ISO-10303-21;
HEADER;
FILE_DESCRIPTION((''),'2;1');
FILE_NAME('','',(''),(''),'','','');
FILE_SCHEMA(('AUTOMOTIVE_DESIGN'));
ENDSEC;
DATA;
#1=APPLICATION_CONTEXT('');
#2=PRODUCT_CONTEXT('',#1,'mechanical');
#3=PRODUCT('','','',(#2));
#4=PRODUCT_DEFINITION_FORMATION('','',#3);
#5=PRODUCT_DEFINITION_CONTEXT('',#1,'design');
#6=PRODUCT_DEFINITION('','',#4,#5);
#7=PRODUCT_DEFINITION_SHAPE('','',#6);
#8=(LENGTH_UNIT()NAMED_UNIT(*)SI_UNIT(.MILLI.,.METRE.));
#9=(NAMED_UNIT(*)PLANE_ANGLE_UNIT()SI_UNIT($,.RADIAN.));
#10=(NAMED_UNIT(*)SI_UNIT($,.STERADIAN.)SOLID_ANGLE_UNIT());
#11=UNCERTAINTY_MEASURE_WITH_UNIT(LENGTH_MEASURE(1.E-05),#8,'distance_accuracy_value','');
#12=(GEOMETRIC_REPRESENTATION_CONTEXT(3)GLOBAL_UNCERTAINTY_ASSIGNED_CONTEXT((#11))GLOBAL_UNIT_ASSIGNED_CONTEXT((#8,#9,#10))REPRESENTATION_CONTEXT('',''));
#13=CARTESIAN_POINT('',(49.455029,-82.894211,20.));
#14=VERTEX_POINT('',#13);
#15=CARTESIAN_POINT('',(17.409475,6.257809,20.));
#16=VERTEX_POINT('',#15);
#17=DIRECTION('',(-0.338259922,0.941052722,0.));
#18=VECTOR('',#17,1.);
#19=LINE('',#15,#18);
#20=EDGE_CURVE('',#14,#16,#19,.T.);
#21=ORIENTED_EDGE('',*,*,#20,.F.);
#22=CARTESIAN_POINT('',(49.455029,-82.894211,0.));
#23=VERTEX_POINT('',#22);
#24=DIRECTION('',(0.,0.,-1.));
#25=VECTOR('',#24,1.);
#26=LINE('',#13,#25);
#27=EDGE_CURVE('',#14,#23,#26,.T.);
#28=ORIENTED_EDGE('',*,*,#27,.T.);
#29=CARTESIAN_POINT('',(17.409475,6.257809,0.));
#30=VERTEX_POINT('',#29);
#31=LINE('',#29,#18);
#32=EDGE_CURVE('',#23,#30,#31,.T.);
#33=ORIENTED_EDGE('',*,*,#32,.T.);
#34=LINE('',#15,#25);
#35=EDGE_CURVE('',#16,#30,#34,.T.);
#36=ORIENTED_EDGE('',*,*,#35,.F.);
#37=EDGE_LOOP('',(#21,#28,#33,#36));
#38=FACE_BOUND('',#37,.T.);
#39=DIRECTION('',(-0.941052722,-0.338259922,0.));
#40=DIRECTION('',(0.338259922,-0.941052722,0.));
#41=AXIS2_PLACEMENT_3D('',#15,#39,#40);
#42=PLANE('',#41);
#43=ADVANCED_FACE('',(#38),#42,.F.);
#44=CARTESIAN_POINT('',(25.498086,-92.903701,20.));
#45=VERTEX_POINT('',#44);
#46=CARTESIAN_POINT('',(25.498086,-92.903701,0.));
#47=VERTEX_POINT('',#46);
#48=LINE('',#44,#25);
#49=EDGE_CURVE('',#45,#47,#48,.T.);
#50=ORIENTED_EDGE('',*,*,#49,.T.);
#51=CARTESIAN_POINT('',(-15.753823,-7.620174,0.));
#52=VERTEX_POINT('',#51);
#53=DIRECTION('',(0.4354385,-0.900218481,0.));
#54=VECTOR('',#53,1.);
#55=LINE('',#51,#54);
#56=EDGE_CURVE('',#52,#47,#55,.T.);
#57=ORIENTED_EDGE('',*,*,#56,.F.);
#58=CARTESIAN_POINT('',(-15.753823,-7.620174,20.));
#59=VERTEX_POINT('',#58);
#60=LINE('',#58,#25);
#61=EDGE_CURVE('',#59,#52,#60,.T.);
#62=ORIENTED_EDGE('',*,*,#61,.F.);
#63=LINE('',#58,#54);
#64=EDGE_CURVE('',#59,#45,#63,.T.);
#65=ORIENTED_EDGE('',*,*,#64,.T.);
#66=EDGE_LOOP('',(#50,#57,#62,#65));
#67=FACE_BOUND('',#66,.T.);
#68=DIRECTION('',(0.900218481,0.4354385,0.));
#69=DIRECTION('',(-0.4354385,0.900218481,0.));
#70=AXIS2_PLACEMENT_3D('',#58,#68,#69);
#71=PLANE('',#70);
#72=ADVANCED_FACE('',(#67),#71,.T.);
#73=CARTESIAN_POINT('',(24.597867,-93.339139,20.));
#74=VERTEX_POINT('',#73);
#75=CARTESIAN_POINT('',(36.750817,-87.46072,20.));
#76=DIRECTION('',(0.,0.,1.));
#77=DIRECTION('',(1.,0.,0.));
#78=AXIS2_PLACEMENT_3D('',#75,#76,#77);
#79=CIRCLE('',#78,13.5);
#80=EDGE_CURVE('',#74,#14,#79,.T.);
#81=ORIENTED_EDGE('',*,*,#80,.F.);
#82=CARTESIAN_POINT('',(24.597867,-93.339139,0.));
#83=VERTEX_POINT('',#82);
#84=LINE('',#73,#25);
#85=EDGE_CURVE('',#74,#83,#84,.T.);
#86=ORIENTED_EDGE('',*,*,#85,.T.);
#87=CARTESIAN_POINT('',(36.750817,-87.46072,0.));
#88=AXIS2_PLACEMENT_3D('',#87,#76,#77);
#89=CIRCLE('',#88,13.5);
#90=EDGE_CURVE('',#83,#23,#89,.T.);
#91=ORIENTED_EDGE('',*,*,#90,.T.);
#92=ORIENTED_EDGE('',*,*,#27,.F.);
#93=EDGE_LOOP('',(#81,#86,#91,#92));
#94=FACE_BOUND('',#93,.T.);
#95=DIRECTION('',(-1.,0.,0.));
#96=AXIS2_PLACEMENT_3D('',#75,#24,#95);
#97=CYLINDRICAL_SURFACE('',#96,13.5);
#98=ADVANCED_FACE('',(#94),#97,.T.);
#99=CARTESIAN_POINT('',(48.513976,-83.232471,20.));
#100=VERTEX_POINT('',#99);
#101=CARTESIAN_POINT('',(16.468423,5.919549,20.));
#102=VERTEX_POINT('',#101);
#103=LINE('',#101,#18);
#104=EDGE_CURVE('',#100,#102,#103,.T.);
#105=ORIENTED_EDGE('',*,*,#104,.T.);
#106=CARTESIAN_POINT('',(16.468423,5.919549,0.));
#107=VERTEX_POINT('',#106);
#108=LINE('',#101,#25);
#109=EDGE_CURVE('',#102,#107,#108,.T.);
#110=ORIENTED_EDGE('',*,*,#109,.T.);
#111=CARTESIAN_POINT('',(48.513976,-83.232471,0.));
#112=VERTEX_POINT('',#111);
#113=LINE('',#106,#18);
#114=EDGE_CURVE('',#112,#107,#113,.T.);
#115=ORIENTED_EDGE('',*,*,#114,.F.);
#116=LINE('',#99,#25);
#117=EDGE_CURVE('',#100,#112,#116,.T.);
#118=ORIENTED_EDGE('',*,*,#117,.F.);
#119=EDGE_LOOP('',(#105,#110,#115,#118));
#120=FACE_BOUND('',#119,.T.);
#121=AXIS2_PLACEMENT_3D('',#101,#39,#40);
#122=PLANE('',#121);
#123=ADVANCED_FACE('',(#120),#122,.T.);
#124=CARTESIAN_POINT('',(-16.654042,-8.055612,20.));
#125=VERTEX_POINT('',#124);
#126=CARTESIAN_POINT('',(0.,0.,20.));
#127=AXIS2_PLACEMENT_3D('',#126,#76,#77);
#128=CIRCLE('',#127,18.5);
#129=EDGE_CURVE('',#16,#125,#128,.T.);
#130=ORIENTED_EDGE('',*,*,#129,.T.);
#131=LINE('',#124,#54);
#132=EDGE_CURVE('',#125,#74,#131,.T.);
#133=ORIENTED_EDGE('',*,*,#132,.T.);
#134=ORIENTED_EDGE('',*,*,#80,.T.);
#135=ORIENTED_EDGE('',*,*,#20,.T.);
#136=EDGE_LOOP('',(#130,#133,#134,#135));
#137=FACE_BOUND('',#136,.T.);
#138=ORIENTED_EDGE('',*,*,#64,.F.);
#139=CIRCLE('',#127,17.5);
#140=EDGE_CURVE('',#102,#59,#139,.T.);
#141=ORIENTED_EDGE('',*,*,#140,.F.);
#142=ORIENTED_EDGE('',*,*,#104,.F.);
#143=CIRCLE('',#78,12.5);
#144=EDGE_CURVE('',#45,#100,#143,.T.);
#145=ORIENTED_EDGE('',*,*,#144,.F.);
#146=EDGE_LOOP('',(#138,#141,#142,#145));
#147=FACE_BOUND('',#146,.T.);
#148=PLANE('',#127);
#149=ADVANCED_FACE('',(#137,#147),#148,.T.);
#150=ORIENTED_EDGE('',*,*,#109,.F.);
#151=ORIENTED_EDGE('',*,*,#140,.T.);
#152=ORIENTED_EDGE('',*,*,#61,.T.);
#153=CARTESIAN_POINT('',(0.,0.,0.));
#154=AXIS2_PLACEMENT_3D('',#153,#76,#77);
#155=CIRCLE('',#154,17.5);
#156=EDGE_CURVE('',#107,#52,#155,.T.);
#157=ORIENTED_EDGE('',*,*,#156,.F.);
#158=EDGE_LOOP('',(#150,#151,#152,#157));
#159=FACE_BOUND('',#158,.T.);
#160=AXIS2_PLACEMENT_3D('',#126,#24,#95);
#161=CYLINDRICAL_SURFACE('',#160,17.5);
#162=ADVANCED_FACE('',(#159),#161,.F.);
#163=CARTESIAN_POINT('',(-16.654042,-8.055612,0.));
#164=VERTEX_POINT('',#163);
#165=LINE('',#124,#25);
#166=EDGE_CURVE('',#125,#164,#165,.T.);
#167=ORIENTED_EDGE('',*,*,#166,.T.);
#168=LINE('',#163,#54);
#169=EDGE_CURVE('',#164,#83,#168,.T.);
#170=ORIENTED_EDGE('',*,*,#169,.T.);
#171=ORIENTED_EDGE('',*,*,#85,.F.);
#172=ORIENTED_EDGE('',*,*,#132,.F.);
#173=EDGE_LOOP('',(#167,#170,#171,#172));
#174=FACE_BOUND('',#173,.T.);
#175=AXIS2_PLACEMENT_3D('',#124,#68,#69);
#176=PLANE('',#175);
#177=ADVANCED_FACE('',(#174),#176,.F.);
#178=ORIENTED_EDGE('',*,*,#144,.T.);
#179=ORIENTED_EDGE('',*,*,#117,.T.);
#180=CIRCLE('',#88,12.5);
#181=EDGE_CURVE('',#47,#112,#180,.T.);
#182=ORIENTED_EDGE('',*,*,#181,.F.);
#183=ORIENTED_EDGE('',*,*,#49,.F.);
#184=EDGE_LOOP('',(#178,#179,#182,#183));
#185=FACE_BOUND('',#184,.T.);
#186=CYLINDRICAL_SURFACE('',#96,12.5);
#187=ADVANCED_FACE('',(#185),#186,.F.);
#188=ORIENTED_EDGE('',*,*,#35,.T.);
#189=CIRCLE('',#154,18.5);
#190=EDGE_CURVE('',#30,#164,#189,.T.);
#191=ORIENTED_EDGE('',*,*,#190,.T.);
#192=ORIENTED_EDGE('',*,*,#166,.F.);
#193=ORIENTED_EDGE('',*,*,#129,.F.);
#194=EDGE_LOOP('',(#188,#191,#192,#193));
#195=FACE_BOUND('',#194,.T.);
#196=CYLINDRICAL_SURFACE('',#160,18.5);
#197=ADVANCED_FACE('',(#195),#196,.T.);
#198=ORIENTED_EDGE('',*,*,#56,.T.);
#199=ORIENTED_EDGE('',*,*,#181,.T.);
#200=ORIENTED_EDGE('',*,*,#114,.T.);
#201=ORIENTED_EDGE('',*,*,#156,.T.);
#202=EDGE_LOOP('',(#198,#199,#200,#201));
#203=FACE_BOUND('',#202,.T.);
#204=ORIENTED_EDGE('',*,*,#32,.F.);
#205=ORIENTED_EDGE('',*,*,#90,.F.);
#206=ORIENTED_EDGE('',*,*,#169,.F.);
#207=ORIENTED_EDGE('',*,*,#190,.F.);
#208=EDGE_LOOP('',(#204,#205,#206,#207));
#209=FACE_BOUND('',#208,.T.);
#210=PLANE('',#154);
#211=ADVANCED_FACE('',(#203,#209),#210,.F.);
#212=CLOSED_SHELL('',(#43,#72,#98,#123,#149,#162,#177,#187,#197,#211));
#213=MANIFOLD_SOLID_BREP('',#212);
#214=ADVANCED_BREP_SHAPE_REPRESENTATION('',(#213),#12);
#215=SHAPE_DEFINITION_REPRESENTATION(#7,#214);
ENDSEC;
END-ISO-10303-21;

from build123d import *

# Parameters (mm, degrees)
EXTRUDE_1_DEPTH = 20


with BuildPart() as part:
    # Эскиз1 → Вытянуть-Тонкостенный1 (new body)
    with BuildSketch(Plane.XY):
        with BuildLine():
            Line((49.455028562, -82.894210594), (17.409475351, 6.257808561))
            ThreePointArc((17.409475351, 6.257808561), (-7.166671033, 17.055463239), (-16.654041894, -8.055612241))
            Line((-16.654041894, -8.055612241), (24.597867329, -93.339139287))
            ThreePointArc((24.597867329, -93.339139287), (41.980549735, -99.906598124), (49.455028562, -82.894210594))
        make_face()
        with BuildLine():
            Line((48.51397584, -83.232470516), (16.46842263, 5.919548639))
            ThreePointArc((16.46842263, 5.919548639), (-6.77928341, 16.133546307), (-15.753823414, -7.620173741))
            Line((-15.753823414, -7.620173741), (25.498085809, -92.903700788))
            ThreePointArc((25.498085809, -92.903700788), (41.593162112, -98.984681192), (48.51397584, -83.232470516))
        make_face(mode=Mode.SUBTRACT)
    extrude(amount=EXTRUDE_1_DEPTH)


solid = part.part
